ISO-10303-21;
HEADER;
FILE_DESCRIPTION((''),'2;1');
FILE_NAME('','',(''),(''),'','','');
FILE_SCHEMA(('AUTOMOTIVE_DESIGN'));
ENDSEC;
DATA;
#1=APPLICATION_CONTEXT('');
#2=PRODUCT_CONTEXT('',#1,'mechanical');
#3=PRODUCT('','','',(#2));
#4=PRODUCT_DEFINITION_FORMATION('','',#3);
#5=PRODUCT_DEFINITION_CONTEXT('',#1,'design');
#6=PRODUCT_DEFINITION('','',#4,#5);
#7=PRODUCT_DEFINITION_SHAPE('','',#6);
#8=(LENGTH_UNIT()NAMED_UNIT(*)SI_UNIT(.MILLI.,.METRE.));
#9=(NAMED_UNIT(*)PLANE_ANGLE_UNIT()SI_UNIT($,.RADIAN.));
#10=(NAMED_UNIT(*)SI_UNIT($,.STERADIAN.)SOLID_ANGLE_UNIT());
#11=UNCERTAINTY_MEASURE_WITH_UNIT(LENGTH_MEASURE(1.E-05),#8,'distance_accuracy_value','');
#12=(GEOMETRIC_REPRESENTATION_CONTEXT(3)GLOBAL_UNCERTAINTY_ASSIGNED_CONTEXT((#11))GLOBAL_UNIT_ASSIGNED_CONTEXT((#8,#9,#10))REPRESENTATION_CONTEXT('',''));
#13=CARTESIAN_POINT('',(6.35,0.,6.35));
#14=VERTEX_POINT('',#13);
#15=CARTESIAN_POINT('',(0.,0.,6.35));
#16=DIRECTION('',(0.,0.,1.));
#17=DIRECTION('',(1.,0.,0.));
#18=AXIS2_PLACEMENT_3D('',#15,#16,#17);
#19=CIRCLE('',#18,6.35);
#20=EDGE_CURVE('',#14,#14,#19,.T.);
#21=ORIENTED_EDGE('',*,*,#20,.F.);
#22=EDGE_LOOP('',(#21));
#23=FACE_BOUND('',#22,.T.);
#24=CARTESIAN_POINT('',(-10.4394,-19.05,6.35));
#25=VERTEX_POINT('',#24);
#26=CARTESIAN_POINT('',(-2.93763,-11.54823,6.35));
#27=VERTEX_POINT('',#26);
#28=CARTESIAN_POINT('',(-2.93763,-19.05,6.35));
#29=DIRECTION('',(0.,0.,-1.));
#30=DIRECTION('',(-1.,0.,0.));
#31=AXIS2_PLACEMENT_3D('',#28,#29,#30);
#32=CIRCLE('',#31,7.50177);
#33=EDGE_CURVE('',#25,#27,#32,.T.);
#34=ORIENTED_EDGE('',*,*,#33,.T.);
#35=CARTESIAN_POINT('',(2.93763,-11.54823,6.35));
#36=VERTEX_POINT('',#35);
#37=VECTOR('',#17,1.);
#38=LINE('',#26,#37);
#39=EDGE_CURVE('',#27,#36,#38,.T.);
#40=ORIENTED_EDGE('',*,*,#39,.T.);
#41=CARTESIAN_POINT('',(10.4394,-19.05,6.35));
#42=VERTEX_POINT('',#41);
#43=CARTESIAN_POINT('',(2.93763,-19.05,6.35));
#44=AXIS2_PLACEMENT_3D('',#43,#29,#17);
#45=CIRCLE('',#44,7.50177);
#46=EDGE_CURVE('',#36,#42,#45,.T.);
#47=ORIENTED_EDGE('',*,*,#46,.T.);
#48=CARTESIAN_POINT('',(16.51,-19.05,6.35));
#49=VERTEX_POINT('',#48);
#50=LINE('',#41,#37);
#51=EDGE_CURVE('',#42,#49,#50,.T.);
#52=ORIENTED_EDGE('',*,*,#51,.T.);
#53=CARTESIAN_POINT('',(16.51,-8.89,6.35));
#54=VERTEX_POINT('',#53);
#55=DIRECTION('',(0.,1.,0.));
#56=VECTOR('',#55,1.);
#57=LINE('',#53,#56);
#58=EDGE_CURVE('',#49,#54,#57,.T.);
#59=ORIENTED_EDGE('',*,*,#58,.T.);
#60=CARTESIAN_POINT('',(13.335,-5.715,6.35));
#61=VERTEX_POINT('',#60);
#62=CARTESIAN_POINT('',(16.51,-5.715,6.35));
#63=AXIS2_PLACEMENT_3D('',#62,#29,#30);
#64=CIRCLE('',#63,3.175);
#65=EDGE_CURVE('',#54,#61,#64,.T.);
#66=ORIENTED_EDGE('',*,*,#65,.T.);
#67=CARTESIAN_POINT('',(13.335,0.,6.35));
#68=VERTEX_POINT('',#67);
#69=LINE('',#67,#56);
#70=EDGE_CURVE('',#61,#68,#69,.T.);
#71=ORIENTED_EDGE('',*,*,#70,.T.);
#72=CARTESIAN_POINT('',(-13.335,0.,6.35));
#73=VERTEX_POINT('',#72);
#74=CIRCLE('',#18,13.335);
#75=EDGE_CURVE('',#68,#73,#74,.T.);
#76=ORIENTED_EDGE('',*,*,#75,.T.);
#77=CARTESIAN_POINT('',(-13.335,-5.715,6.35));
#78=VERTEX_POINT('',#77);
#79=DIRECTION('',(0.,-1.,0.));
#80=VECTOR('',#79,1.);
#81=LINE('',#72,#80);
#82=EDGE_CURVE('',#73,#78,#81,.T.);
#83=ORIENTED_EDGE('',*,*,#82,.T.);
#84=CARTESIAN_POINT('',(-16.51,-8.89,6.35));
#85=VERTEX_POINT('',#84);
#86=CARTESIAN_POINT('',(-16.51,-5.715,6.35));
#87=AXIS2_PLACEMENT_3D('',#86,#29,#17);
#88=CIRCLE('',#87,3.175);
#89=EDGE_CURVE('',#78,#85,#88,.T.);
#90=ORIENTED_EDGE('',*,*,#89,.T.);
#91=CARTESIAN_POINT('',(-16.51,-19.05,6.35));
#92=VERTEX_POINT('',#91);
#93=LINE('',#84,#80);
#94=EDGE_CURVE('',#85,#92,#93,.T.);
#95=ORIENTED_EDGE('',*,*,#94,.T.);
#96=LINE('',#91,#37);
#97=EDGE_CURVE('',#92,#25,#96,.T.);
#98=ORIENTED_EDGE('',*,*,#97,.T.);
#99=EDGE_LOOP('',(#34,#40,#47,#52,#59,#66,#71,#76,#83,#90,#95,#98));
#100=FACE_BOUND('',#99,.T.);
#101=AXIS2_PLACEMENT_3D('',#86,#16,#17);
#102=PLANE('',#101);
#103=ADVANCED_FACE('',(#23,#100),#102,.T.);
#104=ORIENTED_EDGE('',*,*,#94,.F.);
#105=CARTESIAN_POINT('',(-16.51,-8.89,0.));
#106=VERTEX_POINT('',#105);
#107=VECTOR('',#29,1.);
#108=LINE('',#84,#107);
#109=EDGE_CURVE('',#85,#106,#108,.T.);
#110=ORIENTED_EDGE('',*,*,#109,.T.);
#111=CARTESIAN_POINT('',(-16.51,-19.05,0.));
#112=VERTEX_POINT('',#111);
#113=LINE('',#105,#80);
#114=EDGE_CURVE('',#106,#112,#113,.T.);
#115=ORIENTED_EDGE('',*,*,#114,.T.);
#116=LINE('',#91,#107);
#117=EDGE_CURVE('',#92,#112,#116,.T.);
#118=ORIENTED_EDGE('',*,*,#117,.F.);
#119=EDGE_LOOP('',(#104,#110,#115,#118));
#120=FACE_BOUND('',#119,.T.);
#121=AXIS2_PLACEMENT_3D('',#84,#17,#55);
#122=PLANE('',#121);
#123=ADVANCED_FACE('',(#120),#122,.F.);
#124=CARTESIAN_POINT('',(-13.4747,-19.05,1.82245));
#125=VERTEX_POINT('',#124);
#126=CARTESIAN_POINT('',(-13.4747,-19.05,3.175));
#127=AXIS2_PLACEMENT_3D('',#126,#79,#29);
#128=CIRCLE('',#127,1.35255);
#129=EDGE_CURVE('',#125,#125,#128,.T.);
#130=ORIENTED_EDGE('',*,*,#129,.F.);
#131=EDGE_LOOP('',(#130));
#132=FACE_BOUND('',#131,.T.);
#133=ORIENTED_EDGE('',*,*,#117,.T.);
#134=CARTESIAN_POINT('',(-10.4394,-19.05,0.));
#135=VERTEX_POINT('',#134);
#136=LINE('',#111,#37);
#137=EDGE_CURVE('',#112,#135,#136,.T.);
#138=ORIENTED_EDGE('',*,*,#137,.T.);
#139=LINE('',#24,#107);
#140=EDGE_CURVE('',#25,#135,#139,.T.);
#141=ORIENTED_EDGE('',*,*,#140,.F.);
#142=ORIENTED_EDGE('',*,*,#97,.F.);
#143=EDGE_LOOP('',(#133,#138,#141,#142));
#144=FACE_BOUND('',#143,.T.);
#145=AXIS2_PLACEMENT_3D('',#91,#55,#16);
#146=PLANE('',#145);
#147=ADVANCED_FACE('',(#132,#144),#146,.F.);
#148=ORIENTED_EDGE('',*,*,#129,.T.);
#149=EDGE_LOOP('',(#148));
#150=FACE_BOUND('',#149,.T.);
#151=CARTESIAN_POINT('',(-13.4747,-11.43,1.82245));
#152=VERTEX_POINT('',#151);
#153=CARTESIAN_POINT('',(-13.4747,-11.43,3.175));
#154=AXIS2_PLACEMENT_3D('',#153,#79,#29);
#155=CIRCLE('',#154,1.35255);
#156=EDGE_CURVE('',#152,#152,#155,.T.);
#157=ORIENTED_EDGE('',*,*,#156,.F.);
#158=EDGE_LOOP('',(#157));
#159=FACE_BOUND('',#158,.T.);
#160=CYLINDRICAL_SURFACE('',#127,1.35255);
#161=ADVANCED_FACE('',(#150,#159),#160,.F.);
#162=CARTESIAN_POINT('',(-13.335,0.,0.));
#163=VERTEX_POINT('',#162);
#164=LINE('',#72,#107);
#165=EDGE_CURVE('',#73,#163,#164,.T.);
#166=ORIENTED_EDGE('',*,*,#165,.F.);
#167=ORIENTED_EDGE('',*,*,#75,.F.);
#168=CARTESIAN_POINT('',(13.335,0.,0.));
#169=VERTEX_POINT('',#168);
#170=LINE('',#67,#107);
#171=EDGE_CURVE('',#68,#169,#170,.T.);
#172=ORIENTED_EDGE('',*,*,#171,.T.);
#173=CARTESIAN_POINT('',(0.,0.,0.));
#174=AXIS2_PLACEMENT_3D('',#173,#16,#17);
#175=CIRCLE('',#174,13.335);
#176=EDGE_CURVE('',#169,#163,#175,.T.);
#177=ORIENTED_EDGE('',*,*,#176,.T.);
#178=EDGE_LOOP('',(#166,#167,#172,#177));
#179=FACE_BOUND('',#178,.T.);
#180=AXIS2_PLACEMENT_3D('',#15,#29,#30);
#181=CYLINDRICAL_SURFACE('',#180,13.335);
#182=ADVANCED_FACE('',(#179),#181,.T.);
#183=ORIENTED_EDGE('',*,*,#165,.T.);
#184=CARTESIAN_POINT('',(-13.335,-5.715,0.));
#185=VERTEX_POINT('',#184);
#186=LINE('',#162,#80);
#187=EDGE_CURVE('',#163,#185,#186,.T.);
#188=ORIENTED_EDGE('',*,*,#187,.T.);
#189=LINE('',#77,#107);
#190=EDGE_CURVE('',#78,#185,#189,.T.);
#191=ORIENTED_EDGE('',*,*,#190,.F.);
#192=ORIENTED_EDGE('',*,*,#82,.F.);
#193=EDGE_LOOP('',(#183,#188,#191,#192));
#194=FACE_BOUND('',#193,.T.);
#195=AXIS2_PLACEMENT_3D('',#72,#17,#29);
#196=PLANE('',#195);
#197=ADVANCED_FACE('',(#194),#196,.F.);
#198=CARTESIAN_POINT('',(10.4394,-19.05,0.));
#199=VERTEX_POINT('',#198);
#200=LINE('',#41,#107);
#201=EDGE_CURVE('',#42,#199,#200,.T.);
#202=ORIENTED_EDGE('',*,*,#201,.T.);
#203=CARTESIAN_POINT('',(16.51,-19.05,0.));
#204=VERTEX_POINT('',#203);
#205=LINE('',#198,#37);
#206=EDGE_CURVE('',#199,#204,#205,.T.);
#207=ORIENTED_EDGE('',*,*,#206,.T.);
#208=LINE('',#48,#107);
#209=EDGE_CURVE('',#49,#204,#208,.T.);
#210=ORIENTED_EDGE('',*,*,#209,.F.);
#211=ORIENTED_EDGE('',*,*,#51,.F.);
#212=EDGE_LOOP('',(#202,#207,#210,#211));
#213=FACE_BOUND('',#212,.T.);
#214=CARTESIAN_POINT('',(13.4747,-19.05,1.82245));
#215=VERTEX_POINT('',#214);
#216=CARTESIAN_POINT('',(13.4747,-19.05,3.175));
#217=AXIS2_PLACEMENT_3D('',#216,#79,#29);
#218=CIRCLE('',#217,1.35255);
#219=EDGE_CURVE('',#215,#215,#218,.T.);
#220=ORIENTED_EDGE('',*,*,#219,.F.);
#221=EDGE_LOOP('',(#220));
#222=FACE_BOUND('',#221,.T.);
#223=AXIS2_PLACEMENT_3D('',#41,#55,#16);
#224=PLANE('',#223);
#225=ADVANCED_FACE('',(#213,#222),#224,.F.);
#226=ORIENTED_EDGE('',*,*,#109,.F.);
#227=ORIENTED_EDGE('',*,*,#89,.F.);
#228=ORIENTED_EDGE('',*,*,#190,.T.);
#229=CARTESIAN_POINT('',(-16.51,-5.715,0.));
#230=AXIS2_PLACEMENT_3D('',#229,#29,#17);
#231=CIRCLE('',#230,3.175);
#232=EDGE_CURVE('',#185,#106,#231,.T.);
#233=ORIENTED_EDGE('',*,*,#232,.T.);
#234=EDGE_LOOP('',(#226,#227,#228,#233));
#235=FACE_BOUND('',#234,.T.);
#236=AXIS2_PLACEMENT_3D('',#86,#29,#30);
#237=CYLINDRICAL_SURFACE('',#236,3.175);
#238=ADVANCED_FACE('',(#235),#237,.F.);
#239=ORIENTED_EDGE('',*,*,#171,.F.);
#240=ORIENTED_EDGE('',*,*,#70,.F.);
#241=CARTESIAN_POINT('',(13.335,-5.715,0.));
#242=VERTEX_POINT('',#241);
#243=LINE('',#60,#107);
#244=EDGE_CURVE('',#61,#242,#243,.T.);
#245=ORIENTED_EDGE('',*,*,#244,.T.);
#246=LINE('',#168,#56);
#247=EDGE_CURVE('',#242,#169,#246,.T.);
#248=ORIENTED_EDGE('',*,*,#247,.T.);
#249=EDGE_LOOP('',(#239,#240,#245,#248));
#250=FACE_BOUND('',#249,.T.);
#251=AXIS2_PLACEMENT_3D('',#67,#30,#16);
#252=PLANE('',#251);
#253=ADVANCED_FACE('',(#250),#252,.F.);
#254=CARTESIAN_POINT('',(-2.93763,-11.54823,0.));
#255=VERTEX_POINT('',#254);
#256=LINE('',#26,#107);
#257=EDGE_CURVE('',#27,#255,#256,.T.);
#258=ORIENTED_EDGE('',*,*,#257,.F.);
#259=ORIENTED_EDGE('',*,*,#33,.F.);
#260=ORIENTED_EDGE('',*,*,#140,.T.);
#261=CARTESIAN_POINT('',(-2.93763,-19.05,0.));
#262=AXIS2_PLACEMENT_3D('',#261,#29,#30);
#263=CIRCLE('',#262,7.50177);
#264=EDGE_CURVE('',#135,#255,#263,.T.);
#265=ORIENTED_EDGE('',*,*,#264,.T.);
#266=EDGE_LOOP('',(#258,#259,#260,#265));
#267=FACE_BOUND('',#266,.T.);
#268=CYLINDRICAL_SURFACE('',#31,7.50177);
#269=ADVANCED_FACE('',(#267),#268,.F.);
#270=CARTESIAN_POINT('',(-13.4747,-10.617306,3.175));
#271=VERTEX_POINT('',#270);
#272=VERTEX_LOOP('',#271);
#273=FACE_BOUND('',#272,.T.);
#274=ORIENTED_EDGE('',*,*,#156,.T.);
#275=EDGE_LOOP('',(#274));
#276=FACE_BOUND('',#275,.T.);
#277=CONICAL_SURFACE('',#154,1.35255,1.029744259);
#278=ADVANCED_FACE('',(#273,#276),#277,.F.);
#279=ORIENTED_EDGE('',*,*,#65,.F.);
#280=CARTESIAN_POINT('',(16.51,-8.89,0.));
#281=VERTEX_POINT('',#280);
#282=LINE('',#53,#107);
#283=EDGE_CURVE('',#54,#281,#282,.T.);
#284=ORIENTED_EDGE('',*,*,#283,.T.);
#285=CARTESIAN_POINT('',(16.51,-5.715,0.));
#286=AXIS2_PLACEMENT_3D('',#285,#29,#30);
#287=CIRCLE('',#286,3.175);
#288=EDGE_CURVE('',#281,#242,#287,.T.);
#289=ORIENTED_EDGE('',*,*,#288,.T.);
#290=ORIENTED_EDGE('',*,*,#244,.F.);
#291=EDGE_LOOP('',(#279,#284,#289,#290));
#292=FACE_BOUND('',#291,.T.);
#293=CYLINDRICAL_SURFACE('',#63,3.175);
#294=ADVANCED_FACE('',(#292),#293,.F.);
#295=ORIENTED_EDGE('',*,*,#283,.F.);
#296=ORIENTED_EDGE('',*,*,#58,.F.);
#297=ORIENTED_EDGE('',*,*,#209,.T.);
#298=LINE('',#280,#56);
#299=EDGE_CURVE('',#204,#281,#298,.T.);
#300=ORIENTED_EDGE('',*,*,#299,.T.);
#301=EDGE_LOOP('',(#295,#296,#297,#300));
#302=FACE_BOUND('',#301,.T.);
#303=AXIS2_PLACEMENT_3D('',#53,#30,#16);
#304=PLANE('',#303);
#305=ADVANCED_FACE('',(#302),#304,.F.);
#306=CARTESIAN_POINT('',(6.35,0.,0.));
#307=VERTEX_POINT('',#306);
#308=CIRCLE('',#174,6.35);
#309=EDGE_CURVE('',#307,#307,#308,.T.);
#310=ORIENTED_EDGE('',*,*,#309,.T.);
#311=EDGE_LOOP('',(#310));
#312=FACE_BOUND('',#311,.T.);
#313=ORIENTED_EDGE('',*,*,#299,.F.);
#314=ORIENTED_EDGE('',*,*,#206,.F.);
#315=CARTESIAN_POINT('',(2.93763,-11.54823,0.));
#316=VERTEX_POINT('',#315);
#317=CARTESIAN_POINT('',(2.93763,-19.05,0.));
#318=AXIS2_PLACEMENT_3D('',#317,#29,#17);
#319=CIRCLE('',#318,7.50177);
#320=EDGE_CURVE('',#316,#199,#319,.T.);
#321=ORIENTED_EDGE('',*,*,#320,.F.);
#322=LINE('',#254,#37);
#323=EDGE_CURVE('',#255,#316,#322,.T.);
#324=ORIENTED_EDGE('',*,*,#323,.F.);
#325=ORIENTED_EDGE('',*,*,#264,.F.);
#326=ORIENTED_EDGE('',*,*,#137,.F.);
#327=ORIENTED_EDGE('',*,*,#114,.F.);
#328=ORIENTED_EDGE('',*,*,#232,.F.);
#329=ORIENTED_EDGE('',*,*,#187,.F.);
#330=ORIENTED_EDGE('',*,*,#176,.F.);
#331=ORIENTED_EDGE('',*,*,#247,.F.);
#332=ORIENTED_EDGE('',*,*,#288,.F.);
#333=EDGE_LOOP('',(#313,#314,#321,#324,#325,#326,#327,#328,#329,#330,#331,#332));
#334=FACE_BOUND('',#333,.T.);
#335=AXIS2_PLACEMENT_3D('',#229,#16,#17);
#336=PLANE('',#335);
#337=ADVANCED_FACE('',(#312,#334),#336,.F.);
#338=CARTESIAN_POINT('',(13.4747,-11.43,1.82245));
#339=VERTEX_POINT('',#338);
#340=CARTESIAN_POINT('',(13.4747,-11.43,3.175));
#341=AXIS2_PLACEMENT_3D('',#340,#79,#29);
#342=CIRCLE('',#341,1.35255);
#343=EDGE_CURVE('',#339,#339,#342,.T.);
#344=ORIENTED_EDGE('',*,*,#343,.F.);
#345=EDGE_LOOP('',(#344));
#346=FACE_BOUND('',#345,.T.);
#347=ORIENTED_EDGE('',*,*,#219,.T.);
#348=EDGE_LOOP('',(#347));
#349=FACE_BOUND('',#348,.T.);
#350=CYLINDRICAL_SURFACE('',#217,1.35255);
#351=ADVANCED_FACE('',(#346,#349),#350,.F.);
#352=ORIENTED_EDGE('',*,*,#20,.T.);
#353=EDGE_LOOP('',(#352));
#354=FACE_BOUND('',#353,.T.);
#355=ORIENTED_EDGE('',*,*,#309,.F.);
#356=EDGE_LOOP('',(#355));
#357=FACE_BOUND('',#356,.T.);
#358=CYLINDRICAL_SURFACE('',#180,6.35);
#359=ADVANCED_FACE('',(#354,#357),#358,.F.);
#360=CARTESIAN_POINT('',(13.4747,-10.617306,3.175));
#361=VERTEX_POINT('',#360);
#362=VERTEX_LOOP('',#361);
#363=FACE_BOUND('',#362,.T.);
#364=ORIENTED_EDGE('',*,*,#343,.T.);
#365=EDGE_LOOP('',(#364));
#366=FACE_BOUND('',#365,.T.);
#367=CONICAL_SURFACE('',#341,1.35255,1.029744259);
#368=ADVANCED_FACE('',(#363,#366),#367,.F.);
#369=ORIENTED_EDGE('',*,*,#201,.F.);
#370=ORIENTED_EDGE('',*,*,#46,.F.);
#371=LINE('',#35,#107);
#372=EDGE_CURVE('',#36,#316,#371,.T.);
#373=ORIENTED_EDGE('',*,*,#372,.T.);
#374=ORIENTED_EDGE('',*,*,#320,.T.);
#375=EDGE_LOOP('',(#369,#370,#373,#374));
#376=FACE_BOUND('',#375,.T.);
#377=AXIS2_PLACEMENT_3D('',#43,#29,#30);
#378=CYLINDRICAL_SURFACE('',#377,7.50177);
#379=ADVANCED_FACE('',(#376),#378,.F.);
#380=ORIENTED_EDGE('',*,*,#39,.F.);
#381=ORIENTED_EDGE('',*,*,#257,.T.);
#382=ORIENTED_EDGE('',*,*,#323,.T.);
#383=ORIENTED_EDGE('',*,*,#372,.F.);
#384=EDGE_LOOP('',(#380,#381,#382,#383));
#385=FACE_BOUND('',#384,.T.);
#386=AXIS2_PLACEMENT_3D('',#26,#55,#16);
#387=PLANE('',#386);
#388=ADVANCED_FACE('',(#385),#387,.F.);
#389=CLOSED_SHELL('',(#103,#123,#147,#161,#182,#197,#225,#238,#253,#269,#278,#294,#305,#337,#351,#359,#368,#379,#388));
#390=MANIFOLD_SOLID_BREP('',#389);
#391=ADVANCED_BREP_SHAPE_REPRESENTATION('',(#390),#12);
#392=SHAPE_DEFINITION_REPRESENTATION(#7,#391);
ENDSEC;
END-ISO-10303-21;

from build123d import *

# Parameters (mm, degrees)
SKETCH1_R           = 6.35
BOSS_EXTRUDE1_DEPTH = 6.35


with BuildPart() as part:
    # Sketch1 → Boss-Extrude1 (new body)
    with BuildSketch(Plane.XY):
        with BuildLine():
            Line((-13.335, 0), (-13.335, -5.715))
            ThreePointArc((-13.335, -5.715), (-14.26493597, -7.96006403), (-16.51, -8.89))
            Line((-16.51, -8.89), (-16.51, -19.05))
            Line((-16.51, -19.05), (-10.4394, -19.05))
            ThreePointArc((-10.4394, -19.05), (-8.242182532, -13.745447789), (-2.93763032, -11.54823032))
            Line((-2.93763032, -11.54823032), (2.93763032, -11.54823032))
            ThreePointArc((2.93763032, -11.54823032), (8.242182532, -13.745447789), (10.4394, -19.05))
            Line((10.4394, -19.05), (16.51, -19.05))
            Line((16.51, -19.05), (16.51, -8.89))
            ThreePointArc((16.51, -8.89), (14.26493597, -7.96006403), (13.335, -5.715))
            Line((13.335, -5.715), (13.335, 0))
            ThreePointArc((13.335, 0), (0, 13.335), (-13.335, 0))
        make_face()
        Circle(SKETCH1_R, mode=Mode.SUBTRACT)
    extrude(amount=BOSS_EXTRUDE1_DEPTH)

    # Sketch2 → Tap Drill for #6-32 Tap1 (revolve, cut)
    with BuildSketch(Plane(origin=(-13.4747, -19.05, 3.175), x_dir=(0, 0, -1), z_dir=(1, 0, 0))):
        Polygon((0, 0), (0, 8.43269403), (1.35255, 7.62), (1.35255, 0), align=None)
    tap_drill_for_6_32_tap1 = revolve(axis=Axis((-13.4747, -25.4, 3.175), (0, 1, 0)), mode=Mode.SUBTRACT)

    # Mirror1: Tap Drill for #6-32 Tap1 across plane
    add(tap_drill_for_6_32_tap1.mirror(Plane(origin=(0, 0, 0), x_dir=(0, 0, 1), z_dir=(1, 0, 0))), mode=Mode.SUBTRACT)


solid = part.part
